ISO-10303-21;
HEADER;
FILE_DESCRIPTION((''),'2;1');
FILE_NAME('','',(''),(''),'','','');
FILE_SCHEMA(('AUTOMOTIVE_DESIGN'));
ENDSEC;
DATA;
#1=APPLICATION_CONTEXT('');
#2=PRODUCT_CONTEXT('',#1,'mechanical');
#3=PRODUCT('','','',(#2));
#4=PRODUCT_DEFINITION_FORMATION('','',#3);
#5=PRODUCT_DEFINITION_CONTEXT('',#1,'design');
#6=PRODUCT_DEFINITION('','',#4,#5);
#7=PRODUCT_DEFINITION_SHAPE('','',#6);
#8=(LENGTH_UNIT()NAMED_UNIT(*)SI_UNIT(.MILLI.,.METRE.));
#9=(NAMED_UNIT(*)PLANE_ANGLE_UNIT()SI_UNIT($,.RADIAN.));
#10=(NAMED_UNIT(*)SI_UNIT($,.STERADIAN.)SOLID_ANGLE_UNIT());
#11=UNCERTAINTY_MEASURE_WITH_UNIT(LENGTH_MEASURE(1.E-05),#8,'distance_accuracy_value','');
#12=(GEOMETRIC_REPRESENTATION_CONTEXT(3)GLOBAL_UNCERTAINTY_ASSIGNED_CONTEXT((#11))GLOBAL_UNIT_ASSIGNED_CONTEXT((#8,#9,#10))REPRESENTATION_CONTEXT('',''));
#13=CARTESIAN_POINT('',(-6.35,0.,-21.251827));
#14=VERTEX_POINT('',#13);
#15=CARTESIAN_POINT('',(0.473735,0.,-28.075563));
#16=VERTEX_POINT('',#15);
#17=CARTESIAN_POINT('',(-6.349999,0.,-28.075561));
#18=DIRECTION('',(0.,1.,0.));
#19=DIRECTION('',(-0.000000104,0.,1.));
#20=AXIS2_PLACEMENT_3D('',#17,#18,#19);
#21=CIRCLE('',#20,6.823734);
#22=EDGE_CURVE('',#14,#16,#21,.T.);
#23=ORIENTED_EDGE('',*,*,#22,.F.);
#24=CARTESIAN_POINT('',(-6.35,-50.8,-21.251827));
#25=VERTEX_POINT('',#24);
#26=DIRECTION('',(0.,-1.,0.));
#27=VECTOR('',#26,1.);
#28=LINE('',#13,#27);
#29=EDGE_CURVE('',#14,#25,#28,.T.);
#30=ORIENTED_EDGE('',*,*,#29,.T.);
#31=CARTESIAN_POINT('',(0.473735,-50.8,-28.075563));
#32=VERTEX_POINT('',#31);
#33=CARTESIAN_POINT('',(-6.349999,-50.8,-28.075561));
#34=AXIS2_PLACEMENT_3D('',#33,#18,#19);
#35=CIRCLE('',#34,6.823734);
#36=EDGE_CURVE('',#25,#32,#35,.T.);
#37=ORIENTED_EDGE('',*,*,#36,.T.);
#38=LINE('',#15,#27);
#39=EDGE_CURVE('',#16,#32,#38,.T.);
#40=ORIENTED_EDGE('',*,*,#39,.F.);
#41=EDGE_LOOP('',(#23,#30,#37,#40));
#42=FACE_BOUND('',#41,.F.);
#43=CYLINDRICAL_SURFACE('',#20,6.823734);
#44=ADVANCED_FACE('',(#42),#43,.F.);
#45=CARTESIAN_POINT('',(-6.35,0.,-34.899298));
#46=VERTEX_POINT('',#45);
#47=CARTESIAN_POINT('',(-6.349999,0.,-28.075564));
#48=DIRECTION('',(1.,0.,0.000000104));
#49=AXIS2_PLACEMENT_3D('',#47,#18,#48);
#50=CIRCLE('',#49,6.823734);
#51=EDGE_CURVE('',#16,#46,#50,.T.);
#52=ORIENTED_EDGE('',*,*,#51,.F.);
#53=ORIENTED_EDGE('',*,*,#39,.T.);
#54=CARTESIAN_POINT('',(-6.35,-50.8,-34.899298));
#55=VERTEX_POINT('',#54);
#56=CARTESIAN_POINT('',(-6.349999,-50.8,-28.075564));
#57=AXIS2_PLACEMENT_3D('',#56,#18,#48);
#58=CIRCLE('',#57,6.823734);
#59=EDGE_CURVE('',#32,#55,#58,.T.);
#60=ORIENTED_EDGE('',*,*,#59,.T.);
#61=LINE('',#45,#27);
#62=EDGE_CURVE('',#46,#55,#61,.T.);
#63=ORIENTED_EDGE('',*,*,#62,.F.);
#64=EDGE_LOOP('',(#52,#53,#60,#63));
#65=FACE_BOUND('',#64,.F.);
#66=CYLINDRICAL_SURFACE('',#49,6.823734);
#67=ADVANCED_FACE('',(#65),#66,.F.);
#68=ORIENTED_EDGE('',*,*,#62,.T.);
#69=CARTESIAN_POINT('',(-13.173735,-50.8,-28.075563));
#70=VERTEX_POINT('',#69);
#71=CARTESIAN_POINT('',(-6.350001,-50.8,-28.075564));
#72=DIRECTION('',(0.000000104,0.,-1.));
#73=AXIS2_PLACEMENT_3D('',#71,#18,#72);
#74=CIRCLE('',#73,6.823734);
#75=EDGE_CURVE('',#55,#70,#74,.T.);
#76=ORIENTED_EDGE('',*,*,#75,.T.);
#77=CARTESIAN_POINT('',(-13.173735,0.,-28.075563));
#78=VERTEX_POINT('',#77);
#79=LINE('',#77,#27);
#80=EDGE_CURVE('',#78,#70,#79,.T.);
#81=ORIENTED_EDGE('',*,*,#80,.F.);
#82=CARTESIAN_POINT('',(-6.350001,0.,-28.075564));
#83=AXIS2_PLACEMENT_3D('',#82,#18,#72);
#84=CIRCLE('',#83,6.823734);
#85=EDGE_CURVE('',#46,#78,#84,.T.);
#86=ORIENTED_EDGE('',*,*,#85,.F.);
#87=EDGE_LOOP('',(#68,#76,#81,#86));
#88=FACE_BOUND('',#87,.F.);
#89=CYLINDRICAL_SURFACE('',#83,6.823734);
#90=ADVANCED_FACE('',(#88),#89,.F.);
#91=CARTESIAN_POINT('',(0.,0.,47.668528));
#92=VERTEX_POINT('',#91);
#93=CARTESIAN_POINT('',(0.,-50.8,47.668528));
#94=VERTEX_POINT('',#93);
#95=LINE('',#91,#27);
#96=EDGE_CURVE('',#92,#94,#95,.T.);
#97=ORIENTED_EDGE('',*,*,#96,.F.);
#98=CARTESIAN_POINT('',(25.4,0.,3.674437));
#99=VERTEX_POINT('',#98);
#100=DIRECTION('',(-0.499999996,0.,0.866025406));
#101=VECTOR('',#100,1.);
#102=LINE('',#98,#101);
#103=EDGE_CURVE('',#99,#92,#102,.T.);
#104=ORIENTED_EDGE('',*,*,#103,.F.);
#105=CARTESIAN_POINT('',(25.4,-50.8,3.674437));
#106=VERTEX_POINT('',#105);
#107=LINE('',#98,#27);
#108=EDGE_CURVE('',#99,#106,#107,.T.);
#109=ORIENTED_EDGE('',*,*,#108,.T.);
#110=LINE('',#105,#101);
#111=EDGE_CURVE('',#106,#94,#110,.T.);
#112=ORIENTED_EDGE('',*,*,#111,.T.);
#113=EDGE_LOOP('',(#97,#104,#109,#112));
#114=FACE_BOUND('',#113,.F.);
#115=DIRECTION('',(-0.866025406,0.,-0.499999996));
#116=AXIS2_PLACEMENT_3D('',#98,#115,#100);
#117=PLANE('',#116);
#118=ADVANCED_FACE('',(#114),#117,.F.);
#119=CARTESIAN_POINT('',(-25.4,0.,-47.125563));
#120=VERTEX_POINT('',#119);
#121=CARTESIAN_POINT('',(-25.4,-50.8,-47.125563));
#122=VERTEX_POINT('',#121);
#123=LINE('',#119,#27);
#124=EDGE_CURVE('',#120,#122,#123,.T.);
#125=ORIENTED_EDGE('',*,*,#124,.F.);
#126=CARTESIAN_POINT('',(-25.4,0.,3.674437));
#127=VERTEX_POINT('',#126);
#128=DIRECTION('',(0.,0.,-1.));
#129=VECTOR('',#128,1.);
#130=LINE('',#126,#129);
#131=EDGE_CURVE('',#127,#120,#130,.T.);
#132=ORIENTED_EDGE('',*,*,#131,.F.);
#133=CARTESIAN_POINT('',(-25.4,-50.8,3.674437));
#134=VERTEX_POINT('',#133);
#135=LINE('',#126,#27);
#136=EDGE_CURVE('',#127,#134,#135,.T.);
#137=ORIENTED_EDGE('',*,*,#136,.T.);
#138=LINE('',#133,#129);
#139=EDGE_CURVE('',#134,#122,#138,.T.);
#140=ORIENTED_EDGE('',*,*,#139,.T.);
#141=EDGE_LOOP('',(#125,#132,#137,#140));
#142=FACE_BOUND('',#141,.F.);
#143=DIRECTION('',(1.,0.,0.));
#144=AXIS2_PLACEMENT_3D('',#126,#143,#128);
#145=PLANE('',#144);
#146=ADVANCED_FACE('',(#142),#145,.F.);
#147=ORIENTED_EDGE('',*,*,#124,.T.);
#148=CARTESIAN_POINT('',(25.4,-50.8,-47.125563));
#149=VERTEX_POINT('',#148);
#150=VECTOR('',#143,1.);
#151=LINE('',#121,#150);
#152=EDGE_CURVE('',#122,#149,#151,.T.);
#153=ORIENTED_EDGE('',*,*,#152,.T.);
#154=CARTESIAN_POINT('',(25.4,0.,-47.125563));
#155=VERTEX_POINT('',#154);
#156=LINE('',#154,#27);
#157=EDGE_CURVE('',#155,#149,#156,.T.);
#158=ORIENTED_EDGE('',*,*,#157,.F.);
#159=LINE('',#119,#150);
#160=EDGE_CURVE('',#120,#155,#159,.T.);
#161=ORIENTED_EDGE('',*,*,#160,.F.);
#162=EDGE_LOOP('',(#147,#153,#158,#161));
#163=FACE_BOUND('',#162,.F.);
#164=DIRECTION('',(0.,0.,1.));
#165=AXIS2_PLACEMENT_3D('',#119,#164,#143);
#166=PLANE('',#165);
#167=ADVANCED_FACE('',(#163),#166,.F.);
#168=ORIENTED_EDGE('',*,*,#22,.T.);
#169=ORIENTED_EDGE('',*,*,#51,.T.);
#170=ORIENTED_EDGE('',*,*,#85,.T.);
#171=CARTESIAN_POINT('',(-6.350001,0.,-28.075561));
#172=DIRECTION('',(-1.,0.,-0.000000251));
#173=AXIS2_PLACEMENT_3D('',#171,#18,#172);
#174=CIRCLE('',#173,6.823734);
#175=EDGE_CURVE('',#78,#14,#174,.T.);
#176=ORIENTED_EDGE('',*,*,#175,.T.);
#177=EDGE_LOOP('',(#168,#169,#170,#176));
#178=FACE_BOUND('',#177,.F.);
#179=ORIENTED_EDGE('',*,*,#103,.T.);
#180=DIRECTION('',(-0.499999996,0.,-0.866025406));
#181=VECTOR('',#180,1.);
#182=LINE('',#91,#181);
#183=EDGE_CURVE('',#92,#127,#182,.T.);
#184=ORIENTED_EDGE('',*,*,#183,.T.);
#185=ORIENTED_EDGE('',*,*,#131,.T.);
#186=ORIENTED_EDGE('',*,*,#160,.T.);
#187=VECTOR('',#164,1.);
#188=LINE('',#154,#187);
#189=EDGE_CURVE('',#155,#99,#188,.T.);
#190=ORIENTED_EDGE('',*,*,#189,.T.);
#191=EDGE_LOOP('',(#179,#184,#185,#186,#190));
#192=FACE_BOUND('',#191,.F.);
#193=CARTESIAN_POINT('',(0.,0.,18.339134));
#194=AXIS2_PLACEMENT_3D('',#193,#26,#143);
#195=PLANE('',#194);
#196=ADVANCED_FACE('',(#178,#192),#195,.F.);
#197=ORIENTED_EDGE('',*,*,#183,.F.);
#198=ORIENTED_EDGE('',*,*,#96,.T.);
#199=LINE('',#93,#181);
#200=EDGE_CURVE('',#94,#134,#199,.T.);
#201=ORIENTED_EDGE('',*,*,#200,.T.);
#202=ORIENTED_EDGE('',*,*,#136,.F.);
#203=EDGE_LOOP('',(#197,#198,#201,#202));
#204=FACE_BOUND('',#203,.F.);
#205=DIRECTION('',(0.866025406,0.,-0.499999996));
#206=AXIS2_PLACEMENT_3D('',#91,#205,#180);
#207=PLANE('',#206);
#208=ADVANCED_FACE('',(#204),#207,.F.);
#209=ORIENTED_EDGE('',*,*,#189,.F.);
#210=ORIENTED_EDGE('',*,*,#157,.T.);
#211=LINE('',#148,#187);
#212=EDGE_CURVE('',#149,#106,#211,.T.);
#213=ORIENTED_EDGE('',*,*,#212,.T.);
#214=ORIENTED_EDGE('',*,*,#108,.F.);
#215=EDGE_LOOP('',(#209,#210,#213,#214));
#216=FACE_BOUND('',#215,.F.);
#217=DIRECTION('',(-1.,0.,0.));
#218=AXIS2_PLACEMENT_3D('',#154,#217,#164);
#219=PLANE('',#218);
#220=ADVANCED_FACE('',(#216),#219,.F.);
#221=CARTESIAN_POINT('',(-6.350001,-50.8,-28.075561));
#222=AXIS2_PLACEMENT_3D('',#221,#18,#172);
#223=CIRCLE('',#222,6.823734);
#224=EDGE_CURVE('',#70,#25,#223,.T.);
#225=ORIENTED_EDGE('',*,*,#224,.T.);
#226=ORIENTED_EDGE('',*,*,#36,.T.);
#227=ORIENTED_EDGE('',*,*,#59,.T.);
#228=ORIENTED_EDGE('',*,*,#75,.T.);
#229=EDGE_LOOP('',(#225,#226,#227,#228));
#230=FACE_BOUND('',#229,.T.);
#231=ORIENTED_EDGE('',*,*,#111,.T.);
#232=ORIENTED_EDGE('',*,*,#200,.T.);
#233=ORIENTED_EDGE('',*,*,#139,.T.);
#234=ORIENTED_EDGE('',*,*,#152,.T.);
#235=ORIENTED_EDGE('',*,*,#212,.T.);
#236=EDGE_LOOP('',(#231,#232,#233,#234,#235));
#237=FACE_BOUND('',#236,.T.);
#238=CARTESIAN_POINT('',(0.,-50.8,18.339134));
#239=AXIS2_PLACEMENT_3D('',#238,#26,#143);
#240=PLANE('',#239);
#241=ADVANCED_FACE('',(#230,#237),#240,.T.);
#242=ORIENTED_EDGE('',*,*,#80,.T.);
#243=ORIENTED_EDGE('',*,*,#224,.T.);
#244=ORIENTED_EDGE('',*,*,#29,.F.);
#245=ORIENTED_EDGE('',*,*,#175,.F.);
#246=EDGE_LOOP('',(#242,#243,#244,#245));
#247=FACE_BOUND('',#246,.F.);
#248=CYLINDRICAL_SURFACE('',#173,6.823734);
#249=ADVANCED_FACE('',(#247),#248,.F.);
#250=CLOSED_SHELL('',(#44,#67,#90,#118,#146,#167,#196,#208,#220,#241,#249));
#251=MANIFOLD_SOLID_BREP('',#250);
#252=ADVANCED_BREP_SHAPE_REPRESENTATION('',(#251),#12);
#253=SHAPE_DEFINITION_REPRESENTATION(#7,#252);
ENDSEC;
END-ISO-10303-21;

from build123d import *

# Parameters (mm, degrees)
F1_DEPTH = 50.8


with BuildPart() as f1:
    # F0 (on Front) → F1 (new body)
    with BuildSketch(Plane.XZ):
        Polygon((0, 47.668528), (-25.4, 3.674437), (-6.35, 3.674437), (25.4, 3.674437), align=None)
        with BuildLine():
            Line((-6.35, 3.674437), (-25.4, 3.674437))
            Line((-25.4, 3.674437), (-25.4, -28.075563))
            Line((-25.4, -28.075563), (-13.173735, -28.075563))
            ThreePointArc((-13.173735, -28.075563), (-11.17511, -23.250453), (-6.35, -21.251827))
            Line((-6.35, -21.251827), (-6.35, 3.674437))
        make_face()
        with BuildLine():
            Line((25.4, 3.674437), (-6.35, 3.674437))
            Line((-6.35, 3.674437), (-6.35, -21.251827))
            ThreePointArc((-6.35, -21.251827), (-1.52489, -23.250453), (0.473735, -28.075563))
            Line((0.473735, -28.075563), (25.4, -28.075563))
            Line((25.4, -28.075563), (25.4, 3.674437))
        make_face()
        with BuildLine():
            Line((-13.173735, -28.075563), (-25.4, -28.075563))
            Line((-25.4, -28.075563), (-25.4, -47.125563))
            Line((-25.4, -47.125563), (-6.35, -47.125563))
            Line((-6.35, -47.125563), (-6.35, -34.899298))
            ThreePointArc((-6.35, -34.899298), (-11.17511, -32.900672), (-13.173735, -28.075563))
        make_face()
        with BuildLine():
            Line((25.4, -47.125563), (25.4, -28.075563))
            Line((25.4, -28.075563), (0.473735, -28.075563))
            ThreePointArc((0.473735, -28.075563), (-1.52489, -32.900672), (-6.35, -34.899298))
            Line((-6.35, -34.899298), (-6.35, -47.125563))
            Line((-6.35, -47.125563), (25.4, -47.125563))
        make_face()
    extrude(amount=F1_DEPTH)


solid = f1.part
